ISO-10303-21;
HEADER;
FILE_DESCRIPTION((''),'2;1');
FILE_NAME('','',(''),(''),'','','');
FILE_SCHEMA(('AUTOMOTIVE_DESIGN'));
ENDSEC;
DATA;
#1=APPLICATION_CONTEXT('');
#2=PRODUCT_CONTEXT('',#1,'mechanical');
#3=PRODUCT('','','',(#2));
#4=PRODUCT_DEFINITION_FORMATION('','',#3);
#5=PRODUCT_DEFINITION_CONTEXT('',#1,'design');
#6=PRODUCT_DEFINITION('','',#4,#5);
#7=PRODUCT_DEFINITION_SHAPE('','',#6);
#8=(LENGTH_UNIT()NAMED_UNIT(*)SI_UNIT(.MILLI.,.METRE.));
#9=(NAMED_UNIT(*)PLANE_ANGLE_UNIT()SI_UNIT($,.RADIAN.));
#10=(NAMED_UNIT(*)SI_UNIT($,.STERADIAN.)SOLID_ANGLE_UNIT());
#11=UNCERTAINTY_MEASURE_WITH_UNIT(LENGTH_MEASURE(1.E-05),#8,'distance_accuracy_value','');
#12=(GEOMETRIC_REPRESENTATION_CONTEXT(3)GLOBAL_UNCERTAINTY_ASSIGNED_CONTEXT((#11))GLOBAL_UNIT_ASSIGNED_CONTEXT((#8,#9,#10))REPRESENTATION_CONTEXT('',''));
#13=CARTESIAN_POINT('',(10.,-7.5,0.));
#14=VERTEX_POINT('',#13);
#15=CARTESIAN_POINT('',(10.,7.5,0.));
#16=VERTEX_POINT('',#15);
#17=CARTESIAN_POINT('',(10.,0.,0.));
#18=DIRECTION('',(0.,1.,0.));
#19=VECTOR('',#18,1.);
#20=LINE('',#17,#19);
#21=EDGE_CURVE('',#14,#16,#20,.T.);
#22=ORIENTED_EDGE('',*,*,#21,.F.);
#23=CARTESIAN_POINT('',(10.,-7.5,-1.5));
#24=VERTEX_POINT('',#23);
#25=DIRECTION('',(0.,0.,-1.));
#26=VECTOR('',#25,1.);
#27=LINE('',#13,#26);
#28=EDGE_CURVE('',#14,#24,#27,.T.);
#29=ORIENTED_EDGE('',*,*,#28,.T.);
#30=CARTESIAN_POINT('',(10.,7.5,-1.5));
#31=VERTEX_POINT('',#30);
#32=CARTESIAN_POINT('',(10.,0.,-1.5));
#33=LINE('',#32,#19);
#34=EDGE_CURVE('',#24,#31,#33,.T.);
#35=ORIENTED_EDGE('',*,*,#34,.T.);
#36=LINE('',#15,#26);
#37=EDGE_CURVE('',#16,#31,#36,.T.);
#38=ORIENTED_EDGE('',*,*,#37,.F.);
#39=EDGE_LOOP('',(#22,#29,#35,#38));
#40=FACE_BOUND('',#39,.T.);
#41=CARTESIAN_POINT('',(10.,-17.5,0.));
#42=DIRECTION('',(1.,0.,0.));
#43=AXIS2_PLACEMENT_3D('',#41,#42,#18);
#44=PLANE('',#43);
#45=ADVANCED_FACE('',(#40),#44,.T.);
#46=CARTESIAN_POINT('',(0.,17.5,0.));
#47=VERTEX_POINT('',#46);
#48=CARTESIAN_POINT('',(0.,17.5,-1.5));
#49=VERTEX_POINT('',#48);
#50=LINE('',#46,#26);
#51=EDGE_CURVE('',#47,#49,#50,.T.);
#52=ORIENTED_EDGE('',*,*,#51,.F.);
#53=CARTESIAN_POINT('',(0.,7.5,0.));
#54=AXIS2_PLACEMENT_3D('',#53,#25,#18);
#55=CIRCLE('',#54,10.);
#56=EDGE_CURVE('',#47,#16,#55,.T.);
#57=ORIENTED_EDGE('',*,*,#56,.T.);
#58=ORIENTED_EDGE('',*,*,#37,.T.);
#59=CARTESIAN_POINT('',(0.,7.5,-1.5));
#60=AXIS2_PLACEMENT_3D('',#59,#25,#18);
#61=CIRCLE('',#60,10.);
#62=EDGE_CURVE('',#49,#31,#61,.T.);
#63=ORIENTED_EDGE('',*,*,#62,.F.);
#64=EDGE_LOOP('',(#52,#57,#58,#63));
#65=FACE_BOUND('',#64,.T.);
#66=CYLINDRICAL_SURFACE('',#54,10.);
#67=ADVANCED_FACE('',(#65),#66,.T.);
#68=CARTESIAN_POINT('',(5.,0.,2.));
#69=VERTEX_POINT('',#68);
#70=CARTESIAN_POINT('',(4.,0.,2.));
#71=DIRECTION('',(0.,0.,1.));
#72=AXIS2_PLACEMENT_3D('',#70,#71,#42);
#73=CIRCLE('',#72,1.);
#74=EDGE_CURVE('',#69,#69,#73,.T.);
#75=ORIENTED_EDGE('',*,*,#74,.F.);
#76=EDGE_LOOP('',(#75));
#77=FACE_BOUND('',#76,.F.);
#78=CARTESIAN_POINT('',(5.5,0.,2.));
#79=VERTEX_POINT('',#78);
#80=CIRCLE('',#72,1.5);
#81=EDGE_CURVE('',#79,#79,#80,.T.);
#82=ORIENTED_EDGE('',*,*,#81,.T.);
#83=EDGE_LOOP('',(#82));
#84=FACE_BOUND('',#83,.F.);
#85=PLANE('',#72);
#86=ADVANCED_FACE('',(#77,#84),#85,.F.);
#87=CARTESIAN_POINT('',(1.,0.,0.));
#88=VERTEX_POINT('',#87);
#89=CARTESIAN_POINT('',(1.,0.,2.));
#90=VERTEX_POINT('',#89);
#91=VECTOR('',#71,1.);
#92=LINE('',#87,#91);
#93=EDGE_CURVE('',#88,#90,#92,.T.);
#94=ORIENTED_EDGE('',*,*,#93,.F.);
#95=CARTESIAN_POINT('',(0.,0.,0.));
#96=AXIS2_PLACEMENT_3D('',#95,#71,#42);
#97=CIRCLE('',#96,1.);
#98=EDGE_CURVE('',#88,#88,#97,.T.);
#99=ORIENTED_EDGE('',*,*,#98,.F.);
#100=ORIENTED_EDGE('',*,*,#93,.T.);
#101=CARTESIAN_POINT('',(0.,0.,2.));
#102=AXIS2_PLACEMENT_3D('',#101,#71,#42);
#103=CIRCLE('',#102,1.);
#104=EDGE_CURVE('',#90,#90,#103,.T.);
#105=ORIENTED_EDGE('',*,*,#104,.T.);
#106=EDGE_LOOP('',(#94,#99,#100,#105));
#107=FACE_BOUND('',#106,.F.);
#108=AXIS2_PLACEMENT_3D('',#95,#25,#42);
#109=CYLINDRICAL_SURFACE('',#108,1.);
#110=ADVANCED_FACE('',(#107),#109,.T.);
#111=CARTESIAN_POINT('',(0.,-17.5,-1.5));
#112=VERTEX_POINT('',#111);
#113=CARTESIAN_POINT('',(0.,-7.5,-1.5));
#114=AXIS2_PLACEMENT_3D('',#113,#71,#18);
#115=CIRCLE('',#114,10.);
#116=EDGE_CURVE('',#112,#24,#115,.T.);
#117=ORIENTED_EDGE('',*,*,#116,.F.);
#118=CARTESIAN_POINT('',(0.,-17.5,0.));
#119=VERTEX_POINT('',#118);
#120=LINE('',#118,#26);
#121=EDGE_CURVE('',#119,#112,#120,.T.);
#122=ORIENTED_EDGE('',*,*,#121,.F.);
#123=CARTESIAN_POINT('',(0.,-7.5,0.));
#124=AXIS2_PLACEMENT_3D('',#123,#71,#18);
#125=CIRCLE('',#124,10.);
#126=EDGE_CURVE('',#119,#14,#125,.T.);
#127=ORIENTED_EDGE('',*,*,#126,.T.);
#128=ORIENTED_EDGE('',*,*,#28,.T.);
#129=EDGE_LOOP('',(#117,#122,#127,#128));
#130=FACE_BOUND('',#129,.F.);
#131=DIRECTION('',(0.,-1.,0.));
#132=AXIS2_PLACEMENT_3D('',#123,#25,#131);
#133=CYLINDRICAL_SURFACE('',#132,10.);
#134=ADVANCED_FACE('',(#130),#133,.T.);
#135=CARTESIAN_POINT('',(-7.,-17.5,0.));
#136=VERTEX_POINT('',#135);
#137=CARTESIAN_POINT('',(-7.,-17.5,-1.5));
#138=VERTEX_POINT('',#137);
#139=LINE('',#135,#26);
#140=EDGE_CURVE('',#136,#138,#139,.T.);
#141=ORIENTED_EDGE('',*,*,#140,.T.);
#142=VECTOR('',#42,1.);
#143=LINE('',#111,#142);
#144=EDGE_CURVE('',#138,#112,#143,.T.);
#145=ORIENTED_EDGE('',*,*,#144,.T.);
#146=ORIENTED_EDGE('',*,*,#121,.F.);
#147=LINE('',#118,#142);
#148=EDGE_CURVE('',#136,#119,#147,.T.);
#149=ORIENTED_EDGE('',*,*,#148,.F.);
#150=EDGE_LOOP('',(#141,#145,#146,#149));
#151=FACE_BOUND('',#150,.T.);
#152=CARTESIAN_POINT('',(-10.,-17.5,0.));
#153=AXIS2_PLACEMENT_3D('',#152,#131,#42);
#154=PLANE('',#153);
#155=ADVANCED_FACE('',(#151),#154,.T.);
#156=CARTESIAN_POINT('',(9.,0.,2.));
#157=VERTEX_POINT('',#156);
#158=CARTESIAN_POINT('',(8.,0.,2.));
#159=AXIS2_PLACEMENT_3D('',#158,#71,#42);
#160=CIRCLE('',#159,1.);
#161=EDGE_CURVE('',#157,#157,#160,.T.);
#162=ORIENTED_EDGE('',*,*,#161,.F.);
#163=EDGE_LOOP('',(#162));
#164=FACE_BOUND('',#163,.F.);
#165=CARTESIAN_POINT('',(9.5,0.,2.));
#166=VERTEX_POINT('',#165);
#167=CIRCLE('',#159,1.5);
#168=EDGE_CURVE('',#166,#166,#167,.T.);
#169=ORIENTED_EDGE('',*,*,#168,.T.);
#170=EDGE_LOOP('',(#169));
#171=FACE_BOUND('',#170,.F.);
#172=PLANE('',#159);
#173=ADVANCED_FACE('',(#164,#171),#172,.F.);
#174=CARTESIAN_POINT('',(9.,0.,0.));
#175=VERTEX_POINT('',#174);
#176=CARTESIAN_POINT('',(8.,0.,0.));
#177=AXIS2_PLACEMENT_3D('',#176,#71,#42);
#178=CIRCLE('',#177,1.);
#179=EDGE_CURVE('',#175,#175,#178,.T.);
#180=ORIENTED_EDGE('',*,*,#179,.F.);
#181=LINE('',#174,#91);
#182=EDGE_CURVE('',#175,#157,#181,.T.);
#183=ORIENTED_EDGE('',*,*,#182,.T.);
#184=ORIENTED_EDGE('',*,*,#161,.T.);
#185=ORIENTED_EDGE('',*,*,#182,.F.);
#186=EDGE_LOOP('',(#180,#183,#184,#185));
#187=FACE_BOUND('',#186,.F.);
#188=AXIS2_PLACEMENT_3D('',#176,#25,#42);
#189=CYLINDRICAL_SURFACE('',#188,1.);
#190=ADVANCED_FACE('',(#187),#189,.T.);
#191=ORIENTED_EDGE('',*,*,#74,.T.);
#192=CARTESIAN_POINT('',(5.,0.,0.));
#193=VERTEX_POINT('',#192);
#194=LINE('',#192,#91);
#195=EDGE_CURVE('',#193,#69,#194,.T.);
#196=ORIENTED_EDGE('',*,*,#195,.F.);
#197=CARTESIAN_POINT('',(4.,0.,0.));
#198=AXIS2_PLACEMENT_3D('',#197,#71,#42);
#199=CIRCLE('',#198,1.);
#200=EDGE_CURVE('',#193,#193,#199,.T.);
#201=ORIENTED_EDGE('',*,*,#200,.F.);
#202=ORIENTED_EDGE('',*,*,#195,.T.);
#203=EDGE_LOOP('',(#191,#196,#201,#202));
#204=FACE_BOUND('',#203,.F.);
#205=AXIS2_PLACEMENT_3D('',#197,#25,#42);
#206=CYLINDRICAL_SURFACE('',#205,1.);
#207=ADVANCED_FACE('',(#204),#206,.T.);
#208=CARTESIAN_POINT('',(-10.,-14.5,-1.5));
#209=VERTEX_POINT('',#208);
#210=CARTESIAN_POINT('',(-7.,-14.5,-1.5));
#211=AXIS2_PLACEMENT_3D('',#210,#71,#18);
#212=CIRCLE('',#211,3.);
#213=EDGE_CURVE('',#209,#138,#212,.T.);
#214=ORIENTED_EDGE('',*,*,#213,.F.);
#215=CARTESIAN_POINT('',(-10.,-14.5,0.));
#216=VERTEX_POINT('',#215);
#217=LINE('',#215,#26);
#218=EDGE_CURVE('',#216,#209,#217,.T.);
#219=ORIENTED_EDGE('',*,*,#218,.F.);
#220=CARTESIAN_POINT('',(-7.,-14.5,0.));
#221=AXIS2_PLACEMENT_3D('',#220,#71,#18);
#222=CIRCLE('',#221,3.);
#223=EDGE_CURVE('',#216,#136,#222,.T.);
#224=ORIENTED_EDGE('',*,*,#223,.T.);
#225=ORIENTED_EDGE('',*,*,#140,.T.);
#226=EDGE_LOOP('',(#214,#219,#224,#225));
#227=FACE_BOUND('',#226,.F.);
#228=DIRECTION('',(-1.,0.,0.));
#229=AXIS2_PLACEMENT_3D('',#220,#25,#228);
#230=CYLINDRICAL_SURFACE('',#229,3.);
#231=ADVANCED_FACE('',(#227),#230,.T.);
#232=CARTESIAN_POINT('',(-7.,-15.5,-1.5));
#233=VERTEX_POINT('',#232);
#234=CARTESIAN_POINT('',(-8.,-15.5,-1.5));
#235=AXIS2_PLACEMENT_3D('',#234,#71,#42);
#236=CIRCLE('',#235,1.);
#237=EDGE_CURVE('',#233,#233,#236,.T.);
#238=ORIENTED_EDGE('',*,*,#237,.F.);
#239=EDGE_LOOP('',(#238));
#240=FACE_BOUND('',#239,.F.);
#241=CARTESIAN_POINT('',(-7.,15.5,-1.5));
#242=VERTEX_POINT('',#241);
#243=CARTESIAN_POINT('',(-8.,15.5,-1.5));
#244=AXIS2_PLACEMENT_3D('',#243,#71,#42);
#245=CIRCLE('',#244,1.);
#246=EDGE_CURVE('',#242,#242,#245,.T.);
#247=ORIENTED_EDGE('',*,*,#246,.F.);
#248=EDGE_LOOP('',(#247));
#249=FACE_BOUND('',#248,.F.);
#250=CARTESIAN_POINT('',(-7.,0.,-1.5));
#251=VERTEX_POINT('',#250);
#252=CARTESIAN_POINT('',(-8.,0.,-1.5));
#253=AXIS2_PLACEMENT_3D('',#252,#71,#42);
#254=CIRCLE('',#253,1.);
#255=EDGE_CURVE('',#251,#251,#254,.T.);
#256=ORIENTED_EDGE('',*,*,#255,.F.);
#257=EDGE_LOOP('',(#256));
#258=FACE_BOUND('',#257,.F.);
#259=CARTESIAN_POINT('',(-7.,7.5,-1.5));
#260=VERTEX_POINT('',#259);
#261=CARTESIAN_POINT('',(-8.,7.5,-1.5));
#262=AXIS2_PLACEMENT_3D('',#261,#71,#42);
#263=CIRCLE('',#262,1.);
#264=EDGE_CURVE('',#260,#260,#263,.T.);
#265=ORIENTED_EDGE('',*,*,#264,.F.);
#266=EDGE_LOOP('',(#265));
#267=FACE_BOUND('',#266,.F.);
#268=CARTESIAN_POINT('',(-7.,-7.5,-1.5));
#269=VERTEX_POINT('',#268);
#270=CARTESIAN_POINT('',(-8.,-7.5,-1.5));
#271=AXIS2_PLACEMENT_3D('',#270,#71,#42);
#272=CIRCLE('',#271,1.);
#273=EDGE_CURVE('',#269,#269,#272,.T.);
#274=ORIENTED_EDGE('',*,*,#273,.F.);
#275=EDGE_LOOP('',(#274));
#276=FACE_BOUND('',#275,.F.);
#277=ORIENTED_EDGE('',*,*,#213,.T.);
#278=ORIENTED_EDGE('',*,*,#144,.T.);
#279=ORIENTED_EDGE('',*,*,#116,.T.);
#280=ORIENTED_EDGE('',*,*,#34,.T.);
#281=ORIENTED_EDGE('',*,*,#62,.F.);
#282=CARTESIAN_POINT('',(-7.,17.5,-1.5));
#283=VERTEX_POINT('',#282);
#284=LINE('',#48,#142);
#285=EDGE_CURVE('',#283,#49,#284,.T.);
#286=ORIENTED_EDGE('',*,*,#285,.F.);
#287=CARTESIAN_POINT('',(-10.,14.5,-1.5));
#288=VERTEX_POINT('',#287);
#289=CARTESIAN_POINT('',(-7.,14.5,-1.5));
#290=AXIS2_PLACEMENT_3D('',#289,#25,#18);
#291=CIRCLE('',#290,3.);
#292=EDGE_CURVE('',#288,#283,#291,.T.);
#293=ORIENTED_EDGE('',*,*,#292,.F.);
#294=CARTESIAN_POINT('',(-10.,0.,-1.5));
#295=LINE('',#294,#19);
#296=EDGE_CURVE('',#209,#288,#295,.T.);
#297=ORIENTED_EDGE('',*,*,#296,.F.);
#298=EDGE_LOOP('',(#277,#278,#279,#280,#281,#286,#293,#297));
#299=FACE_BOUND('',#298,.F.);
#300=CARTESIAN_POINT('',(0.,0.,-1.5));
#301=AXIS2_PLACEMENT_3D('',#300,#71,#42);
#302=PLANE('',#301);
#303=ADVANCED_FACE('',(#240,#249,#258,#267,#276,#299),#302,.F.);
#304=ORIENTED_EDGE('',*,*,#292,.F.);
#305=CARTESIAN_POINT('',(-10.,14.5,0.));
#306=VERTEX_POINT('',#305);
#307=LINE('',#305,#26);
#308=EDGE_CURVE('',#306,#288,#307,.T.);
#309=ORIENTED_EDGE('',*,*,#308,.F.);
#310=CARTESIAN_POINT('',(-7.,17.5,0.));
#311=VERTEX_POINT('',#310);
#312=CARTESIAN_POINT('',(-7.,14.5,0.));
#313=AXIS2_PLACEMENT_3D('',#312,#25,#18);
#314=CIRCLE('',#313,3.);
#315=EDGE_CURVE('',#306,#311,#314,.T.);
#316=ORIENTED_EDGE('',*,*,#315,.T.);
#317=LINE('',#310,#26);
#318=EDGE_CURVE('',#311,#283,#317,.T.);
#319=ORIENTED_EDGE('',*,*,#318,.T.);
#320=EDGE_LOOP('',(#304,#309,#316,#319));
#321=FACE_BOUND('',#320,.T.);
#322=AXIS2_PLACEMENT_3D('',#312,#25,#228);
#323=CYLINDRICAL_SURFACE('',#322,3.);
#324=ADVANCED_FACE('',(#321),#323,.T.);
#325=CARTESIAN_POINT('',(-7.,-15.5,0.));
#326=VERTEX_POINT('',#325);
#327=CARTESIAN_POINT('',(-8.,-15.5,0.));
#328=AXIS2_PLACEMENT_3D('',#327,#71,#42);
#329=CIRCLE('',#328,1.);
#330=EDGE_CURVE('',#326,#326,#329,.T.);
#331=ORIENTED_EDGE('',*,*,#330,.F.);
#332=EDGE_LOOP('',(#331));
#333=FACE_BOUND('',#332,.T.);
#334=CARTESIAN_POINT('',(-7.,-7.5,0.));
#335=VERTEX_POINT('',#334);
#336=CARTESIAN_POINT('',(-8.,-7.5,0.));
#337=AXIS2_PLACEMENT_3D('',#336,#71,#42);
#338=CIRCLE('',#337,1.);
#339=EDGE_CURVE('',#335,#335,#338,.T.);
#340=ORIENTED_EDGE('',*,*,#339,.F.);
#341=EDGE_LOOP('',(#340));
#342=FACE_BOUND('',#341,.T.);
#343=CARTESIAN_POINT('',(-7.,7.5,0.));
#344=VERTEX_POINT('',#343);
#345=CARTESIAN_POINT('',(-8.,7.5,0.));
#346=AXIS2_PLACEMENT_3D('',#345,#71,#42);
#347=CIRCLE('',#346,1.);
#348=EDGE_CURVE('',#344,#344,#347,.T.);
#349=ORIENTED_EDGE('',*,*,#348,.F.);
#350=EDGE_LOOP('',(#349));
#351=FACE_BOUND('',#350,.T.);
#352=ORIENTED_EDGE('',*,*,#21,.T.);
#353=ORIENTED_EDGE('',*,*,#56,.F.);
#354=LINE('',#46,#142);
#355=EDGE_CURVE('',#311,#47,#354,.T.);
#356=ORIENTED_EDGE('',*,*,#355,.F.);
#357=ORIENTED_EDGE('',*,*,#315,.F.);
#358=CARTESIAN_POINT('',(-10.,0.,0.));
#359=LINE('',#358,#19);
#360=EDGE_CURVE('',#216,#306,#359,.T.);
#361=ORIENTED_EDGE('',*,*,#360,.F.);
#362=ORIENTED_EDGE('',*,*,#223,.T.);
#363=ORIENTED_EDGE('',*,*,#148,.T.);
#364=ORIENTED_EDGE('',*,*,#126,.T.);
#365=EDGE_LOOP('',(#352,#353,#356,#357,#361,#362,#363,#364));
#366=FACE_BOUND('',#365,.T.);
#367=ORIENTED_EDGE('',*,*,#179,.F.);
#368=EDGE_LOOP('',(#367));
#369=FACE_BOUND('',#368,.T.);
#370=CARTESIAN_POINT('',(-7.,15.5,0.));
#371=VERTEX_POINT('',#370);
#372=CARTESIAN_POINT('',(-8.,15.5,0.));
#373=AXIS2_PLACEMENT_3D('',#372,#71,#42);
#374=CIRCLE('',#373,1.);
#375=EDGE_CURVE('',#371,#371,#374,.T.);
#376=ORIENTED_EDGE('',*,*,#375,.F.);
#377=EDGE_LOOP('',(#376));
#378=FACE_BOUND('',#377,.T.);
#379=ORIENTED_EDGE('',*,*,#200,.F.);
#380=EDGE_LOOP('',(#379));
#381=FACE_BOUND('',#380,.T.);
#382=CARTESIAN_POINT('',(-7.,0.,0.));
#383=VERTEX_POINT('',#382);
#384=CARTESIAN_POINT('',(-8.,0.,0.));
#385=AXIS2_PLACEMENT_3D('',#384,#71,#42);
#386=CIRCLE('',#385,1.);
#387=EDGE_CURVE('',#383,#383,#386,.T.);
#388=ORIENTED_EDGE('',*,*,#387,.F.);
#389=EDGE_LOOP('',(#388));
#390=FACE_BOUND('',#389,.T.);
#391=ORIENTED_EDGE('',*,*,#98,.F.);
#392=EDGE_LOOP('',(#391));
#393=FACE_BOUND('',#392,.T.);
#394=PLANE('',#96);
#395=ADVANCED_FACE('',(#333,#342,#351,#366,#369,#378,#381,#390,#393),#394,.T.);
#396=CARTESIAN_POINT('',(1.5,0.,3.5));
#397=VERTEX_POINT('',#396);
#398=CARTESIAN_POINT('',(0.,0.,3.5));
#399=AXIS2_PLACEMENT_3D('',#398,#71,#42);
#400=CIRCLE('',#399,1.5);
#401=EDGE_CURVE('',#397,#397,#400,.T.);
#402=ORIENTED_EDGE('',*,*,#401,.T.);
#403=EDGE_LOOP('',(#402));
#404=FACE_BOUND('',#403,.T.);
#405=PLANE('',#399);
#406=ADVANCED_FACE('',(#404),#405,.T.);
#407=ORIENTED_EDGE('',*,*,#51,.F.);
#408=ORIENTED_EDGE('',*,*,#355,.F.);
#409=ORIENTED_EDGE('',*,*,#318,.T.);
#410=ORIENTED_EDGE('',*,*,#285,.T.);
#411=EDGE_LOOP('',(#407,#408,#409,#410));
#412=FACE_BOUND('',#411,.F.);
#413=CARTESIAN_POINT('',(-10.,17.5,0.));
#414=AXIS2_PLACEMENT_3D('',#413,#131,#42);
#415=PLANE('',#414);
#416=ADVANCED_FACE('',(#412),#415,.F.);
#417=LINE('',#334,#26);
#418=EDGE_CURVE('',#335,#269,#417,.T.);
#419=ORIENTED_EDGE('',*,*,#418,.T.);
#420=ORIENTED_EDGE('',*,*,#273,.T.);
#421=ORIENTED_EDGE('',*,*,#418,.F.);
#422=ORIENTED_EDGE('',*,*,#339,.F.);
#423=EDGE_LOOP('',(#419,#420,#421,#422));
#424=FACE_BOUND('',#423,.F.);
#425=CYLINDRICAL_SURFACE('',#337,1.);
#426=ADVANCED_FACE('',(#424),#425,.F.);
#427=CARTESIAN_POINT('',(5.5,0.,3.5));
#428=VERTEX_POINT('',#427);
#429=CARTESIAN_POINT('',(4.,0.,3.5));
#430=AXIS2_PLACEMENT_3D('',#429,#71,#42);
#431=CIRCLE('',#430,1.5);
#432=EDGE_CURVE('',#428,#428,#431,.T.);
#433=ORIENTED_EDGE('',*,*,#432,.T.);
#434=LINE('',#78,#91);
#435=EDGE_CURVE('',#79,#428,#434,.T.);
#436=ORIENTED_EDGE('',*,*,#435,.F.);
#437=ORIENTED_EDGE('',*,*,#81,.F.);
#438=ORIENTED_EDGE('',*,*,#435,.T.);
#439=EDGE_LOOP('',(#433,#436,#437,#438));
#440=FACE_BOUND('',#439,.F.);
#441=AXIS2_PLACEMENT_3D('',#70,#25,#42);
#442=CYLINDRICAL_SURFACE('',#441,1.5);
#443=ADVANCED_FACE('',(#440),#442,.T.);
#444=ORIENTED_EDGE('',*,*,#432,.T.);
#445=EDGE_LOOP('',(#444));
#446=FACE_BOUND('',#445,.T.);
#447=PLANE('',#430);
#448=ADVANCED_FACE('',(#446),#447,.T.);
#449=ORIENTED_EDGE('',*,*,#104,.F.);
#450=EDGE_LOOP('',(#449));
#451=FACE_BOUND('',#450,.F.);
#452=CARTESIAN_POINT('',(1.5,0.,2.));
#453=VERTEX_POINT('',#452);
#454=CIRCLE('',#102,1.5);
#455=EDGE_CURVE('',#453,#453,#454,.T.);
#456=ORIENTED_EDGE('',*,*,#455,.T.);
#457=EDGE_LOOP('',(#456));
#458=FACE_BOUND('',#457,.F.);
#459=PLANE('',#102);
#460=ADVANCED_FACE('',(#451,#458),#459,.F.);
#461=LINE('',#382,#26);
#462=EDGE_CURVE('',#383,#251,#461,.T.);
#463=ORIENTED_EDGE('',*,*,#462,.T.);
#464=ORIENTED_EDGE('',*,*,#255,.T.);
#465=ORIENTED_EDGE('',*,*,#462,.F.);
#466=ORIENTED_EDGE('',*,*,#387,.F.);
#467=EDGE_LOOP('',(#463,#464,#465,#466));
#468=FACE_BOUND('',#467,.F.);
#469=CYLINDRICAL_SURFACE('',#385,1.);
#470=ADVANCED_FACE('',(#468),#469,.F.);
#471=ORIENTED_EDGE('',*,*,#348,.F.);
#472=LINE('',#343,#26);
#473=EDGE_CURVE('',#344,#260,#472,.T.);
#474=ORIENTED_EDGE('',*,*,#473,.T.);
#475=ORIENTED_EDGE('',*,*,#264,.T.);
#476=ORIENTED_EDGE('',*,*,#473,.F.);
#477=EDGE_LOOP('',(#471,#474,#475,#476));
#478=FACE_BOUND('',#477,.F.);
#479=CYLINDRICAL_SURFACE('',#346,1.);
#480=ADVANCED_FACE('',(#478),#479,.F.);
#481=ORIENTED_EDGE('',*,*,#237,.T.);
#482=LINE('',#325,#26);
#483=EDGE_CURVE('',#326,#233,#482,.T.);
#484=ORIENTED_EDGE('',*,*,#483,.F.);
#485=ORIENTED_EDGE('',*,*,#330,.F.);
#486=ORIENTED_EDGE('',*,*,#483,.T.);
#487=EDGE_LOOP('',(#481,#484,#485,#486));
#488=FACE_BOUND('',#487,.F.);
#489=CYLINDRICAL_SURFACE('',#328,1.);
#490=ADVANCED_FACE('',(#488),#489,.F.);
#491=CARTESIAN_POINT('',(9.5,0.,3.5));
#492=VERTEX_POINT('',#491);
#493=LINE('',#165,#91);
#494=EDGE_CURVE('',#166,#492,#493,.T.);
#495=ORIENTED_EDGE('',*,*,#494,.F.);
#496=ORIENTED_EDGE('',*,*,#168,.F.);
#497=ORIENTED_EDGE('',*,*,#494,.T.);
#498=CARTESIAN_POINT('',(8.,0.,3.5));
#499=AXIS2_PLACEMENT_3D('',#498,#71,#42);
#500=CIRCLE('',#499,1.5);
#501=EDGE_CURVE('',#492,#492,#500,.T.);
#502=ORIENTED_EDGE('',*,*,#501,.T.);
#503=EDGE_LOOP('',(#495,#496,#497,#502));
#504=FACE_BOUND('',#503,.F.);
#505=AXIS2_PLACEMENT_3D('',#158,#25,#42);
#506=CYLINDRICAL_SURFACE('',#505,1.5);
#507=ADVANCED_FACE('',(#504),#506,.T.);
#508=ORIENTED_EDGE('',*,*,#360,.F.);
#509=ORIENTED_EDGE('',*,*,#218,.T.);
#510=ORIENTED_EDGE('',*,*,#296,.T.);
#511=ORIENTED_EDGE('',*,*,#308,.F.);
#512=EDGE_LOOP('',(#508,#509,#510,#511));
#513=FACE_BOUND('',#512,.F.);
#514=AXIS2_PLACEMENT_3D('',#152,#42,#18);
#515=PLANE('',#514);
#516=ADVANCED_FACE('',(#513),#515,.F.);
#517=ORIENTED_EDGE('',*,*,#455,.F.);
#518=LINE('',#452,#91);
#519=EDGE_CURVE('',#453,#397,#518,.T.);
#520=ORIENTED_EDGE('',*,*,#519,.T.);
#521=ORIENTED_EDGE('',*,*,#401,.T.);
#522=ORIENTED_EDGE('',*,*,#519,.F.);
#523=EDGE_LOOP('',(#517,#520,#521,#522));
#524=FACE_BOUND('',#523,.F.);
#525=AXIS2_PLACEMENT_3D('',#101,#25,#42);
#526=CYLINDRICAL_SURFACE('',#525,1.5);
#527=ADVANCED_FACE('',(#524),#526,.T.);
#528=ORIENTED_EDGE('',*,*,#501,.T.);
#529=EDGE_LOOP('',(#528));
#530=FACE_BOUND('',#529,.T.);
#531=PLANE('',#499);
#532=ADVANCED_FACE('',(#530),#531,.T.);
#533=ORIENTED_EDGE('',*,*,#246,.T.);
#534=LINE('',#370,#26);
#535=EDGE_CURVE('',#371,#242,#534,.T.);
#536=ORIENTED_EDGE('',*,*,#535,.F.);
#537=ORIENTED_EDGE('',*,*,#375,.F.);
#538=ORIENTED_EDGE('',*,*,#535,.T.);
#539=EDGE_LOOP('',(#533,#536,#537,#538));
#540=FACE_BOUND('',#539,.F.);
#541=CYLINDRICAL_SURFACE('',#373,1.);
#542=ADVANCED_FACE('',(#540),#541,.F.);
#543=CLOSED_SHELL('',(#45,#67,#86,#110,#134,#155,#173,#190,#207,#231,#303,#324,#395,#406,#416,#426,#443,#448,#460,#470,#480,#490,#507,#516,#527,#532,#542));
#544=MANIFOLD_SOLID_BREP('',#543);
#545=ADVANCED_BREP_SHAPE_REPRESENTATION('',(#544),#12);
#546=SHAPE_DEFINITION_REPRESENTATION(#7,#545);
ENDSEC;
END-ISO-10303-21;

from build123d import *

# Parameters (mm, degrees)
F0_W     = 20
F0_H     = 35
F1_DEPTH = 1.5
F2_R     = 1
F3_DEPTH = 1.5
F4_R     = 3
F5_R     = 10
F6_R     = 1
F7_DEPTH = 2
F8_R     = 1.5
F8_R_2   = 1
F9_DEPTH = 1.5


with BuildPart() as f1:
    # F0 (on Top) → F1 (new body)
    with BuildSketch(Plane.XY):
        Rectangle(F0_W, F0_H)
    extrude(amount=-F1_DEPTH)

    # F2 (on face) → F3 (cut)
    with BuildSketch(Plane.XY):
        with Locations((-8, 15.5)):
            Circle(F2_R)
        with Locations((-8, 7.5)):
            Circle(F2_R)
        with Locations((-8, 0)):
            Circle(F2_R)
        with Locations((-8, -7.5)):
            Circle(F2_R)
        with Locations((-8, -15.5)):
            Circle(F2_R)
    extrude(amount=-F3_DEPTH, mode=Mode.SUBTRACT)

    # F4
    f4_edges = [f1.edges().sort_by_distance(p)[0] for p in [
        (-10, -17.5, -0.75),
        (-10, 17.5, -0.75),
    ]]
    fillet(f4_edges, radius=F4_R)

    # F5
    f5_edges = [f1.edges().sort_by_distance(p)[0] for p in [
        (10, 17.5, -0.75),
        (10, -17.5, -0.75),
    ]]
    fillet(f5_edges, radius=F5_R)

    # F6 (on face) → F7 (join)
    with BuildSketch(Plane.XY):
        Circle(F6_R)
        with Locations((4, 0)):
            Circle(F6_R)
        with Locations((8, 0)):
            Circle(F6_R)
    extrude(amount=F7_DEPTH)

    # F8 (on face) → F9 (join)
    with BuildSketch(Plane.XY.offset(2)):
        Circle(F8_R)
        Circle(F8_R_2, mode=Mode.SUBTRACT)
        with Locations((4, 0)):
            Circle(F8_R)
        with Locations((8, 0)):
            Circle(F8_R)
        Circle(F8_R_2)
    extrude(amount=F9_DEPTH)


solid = f1.part
